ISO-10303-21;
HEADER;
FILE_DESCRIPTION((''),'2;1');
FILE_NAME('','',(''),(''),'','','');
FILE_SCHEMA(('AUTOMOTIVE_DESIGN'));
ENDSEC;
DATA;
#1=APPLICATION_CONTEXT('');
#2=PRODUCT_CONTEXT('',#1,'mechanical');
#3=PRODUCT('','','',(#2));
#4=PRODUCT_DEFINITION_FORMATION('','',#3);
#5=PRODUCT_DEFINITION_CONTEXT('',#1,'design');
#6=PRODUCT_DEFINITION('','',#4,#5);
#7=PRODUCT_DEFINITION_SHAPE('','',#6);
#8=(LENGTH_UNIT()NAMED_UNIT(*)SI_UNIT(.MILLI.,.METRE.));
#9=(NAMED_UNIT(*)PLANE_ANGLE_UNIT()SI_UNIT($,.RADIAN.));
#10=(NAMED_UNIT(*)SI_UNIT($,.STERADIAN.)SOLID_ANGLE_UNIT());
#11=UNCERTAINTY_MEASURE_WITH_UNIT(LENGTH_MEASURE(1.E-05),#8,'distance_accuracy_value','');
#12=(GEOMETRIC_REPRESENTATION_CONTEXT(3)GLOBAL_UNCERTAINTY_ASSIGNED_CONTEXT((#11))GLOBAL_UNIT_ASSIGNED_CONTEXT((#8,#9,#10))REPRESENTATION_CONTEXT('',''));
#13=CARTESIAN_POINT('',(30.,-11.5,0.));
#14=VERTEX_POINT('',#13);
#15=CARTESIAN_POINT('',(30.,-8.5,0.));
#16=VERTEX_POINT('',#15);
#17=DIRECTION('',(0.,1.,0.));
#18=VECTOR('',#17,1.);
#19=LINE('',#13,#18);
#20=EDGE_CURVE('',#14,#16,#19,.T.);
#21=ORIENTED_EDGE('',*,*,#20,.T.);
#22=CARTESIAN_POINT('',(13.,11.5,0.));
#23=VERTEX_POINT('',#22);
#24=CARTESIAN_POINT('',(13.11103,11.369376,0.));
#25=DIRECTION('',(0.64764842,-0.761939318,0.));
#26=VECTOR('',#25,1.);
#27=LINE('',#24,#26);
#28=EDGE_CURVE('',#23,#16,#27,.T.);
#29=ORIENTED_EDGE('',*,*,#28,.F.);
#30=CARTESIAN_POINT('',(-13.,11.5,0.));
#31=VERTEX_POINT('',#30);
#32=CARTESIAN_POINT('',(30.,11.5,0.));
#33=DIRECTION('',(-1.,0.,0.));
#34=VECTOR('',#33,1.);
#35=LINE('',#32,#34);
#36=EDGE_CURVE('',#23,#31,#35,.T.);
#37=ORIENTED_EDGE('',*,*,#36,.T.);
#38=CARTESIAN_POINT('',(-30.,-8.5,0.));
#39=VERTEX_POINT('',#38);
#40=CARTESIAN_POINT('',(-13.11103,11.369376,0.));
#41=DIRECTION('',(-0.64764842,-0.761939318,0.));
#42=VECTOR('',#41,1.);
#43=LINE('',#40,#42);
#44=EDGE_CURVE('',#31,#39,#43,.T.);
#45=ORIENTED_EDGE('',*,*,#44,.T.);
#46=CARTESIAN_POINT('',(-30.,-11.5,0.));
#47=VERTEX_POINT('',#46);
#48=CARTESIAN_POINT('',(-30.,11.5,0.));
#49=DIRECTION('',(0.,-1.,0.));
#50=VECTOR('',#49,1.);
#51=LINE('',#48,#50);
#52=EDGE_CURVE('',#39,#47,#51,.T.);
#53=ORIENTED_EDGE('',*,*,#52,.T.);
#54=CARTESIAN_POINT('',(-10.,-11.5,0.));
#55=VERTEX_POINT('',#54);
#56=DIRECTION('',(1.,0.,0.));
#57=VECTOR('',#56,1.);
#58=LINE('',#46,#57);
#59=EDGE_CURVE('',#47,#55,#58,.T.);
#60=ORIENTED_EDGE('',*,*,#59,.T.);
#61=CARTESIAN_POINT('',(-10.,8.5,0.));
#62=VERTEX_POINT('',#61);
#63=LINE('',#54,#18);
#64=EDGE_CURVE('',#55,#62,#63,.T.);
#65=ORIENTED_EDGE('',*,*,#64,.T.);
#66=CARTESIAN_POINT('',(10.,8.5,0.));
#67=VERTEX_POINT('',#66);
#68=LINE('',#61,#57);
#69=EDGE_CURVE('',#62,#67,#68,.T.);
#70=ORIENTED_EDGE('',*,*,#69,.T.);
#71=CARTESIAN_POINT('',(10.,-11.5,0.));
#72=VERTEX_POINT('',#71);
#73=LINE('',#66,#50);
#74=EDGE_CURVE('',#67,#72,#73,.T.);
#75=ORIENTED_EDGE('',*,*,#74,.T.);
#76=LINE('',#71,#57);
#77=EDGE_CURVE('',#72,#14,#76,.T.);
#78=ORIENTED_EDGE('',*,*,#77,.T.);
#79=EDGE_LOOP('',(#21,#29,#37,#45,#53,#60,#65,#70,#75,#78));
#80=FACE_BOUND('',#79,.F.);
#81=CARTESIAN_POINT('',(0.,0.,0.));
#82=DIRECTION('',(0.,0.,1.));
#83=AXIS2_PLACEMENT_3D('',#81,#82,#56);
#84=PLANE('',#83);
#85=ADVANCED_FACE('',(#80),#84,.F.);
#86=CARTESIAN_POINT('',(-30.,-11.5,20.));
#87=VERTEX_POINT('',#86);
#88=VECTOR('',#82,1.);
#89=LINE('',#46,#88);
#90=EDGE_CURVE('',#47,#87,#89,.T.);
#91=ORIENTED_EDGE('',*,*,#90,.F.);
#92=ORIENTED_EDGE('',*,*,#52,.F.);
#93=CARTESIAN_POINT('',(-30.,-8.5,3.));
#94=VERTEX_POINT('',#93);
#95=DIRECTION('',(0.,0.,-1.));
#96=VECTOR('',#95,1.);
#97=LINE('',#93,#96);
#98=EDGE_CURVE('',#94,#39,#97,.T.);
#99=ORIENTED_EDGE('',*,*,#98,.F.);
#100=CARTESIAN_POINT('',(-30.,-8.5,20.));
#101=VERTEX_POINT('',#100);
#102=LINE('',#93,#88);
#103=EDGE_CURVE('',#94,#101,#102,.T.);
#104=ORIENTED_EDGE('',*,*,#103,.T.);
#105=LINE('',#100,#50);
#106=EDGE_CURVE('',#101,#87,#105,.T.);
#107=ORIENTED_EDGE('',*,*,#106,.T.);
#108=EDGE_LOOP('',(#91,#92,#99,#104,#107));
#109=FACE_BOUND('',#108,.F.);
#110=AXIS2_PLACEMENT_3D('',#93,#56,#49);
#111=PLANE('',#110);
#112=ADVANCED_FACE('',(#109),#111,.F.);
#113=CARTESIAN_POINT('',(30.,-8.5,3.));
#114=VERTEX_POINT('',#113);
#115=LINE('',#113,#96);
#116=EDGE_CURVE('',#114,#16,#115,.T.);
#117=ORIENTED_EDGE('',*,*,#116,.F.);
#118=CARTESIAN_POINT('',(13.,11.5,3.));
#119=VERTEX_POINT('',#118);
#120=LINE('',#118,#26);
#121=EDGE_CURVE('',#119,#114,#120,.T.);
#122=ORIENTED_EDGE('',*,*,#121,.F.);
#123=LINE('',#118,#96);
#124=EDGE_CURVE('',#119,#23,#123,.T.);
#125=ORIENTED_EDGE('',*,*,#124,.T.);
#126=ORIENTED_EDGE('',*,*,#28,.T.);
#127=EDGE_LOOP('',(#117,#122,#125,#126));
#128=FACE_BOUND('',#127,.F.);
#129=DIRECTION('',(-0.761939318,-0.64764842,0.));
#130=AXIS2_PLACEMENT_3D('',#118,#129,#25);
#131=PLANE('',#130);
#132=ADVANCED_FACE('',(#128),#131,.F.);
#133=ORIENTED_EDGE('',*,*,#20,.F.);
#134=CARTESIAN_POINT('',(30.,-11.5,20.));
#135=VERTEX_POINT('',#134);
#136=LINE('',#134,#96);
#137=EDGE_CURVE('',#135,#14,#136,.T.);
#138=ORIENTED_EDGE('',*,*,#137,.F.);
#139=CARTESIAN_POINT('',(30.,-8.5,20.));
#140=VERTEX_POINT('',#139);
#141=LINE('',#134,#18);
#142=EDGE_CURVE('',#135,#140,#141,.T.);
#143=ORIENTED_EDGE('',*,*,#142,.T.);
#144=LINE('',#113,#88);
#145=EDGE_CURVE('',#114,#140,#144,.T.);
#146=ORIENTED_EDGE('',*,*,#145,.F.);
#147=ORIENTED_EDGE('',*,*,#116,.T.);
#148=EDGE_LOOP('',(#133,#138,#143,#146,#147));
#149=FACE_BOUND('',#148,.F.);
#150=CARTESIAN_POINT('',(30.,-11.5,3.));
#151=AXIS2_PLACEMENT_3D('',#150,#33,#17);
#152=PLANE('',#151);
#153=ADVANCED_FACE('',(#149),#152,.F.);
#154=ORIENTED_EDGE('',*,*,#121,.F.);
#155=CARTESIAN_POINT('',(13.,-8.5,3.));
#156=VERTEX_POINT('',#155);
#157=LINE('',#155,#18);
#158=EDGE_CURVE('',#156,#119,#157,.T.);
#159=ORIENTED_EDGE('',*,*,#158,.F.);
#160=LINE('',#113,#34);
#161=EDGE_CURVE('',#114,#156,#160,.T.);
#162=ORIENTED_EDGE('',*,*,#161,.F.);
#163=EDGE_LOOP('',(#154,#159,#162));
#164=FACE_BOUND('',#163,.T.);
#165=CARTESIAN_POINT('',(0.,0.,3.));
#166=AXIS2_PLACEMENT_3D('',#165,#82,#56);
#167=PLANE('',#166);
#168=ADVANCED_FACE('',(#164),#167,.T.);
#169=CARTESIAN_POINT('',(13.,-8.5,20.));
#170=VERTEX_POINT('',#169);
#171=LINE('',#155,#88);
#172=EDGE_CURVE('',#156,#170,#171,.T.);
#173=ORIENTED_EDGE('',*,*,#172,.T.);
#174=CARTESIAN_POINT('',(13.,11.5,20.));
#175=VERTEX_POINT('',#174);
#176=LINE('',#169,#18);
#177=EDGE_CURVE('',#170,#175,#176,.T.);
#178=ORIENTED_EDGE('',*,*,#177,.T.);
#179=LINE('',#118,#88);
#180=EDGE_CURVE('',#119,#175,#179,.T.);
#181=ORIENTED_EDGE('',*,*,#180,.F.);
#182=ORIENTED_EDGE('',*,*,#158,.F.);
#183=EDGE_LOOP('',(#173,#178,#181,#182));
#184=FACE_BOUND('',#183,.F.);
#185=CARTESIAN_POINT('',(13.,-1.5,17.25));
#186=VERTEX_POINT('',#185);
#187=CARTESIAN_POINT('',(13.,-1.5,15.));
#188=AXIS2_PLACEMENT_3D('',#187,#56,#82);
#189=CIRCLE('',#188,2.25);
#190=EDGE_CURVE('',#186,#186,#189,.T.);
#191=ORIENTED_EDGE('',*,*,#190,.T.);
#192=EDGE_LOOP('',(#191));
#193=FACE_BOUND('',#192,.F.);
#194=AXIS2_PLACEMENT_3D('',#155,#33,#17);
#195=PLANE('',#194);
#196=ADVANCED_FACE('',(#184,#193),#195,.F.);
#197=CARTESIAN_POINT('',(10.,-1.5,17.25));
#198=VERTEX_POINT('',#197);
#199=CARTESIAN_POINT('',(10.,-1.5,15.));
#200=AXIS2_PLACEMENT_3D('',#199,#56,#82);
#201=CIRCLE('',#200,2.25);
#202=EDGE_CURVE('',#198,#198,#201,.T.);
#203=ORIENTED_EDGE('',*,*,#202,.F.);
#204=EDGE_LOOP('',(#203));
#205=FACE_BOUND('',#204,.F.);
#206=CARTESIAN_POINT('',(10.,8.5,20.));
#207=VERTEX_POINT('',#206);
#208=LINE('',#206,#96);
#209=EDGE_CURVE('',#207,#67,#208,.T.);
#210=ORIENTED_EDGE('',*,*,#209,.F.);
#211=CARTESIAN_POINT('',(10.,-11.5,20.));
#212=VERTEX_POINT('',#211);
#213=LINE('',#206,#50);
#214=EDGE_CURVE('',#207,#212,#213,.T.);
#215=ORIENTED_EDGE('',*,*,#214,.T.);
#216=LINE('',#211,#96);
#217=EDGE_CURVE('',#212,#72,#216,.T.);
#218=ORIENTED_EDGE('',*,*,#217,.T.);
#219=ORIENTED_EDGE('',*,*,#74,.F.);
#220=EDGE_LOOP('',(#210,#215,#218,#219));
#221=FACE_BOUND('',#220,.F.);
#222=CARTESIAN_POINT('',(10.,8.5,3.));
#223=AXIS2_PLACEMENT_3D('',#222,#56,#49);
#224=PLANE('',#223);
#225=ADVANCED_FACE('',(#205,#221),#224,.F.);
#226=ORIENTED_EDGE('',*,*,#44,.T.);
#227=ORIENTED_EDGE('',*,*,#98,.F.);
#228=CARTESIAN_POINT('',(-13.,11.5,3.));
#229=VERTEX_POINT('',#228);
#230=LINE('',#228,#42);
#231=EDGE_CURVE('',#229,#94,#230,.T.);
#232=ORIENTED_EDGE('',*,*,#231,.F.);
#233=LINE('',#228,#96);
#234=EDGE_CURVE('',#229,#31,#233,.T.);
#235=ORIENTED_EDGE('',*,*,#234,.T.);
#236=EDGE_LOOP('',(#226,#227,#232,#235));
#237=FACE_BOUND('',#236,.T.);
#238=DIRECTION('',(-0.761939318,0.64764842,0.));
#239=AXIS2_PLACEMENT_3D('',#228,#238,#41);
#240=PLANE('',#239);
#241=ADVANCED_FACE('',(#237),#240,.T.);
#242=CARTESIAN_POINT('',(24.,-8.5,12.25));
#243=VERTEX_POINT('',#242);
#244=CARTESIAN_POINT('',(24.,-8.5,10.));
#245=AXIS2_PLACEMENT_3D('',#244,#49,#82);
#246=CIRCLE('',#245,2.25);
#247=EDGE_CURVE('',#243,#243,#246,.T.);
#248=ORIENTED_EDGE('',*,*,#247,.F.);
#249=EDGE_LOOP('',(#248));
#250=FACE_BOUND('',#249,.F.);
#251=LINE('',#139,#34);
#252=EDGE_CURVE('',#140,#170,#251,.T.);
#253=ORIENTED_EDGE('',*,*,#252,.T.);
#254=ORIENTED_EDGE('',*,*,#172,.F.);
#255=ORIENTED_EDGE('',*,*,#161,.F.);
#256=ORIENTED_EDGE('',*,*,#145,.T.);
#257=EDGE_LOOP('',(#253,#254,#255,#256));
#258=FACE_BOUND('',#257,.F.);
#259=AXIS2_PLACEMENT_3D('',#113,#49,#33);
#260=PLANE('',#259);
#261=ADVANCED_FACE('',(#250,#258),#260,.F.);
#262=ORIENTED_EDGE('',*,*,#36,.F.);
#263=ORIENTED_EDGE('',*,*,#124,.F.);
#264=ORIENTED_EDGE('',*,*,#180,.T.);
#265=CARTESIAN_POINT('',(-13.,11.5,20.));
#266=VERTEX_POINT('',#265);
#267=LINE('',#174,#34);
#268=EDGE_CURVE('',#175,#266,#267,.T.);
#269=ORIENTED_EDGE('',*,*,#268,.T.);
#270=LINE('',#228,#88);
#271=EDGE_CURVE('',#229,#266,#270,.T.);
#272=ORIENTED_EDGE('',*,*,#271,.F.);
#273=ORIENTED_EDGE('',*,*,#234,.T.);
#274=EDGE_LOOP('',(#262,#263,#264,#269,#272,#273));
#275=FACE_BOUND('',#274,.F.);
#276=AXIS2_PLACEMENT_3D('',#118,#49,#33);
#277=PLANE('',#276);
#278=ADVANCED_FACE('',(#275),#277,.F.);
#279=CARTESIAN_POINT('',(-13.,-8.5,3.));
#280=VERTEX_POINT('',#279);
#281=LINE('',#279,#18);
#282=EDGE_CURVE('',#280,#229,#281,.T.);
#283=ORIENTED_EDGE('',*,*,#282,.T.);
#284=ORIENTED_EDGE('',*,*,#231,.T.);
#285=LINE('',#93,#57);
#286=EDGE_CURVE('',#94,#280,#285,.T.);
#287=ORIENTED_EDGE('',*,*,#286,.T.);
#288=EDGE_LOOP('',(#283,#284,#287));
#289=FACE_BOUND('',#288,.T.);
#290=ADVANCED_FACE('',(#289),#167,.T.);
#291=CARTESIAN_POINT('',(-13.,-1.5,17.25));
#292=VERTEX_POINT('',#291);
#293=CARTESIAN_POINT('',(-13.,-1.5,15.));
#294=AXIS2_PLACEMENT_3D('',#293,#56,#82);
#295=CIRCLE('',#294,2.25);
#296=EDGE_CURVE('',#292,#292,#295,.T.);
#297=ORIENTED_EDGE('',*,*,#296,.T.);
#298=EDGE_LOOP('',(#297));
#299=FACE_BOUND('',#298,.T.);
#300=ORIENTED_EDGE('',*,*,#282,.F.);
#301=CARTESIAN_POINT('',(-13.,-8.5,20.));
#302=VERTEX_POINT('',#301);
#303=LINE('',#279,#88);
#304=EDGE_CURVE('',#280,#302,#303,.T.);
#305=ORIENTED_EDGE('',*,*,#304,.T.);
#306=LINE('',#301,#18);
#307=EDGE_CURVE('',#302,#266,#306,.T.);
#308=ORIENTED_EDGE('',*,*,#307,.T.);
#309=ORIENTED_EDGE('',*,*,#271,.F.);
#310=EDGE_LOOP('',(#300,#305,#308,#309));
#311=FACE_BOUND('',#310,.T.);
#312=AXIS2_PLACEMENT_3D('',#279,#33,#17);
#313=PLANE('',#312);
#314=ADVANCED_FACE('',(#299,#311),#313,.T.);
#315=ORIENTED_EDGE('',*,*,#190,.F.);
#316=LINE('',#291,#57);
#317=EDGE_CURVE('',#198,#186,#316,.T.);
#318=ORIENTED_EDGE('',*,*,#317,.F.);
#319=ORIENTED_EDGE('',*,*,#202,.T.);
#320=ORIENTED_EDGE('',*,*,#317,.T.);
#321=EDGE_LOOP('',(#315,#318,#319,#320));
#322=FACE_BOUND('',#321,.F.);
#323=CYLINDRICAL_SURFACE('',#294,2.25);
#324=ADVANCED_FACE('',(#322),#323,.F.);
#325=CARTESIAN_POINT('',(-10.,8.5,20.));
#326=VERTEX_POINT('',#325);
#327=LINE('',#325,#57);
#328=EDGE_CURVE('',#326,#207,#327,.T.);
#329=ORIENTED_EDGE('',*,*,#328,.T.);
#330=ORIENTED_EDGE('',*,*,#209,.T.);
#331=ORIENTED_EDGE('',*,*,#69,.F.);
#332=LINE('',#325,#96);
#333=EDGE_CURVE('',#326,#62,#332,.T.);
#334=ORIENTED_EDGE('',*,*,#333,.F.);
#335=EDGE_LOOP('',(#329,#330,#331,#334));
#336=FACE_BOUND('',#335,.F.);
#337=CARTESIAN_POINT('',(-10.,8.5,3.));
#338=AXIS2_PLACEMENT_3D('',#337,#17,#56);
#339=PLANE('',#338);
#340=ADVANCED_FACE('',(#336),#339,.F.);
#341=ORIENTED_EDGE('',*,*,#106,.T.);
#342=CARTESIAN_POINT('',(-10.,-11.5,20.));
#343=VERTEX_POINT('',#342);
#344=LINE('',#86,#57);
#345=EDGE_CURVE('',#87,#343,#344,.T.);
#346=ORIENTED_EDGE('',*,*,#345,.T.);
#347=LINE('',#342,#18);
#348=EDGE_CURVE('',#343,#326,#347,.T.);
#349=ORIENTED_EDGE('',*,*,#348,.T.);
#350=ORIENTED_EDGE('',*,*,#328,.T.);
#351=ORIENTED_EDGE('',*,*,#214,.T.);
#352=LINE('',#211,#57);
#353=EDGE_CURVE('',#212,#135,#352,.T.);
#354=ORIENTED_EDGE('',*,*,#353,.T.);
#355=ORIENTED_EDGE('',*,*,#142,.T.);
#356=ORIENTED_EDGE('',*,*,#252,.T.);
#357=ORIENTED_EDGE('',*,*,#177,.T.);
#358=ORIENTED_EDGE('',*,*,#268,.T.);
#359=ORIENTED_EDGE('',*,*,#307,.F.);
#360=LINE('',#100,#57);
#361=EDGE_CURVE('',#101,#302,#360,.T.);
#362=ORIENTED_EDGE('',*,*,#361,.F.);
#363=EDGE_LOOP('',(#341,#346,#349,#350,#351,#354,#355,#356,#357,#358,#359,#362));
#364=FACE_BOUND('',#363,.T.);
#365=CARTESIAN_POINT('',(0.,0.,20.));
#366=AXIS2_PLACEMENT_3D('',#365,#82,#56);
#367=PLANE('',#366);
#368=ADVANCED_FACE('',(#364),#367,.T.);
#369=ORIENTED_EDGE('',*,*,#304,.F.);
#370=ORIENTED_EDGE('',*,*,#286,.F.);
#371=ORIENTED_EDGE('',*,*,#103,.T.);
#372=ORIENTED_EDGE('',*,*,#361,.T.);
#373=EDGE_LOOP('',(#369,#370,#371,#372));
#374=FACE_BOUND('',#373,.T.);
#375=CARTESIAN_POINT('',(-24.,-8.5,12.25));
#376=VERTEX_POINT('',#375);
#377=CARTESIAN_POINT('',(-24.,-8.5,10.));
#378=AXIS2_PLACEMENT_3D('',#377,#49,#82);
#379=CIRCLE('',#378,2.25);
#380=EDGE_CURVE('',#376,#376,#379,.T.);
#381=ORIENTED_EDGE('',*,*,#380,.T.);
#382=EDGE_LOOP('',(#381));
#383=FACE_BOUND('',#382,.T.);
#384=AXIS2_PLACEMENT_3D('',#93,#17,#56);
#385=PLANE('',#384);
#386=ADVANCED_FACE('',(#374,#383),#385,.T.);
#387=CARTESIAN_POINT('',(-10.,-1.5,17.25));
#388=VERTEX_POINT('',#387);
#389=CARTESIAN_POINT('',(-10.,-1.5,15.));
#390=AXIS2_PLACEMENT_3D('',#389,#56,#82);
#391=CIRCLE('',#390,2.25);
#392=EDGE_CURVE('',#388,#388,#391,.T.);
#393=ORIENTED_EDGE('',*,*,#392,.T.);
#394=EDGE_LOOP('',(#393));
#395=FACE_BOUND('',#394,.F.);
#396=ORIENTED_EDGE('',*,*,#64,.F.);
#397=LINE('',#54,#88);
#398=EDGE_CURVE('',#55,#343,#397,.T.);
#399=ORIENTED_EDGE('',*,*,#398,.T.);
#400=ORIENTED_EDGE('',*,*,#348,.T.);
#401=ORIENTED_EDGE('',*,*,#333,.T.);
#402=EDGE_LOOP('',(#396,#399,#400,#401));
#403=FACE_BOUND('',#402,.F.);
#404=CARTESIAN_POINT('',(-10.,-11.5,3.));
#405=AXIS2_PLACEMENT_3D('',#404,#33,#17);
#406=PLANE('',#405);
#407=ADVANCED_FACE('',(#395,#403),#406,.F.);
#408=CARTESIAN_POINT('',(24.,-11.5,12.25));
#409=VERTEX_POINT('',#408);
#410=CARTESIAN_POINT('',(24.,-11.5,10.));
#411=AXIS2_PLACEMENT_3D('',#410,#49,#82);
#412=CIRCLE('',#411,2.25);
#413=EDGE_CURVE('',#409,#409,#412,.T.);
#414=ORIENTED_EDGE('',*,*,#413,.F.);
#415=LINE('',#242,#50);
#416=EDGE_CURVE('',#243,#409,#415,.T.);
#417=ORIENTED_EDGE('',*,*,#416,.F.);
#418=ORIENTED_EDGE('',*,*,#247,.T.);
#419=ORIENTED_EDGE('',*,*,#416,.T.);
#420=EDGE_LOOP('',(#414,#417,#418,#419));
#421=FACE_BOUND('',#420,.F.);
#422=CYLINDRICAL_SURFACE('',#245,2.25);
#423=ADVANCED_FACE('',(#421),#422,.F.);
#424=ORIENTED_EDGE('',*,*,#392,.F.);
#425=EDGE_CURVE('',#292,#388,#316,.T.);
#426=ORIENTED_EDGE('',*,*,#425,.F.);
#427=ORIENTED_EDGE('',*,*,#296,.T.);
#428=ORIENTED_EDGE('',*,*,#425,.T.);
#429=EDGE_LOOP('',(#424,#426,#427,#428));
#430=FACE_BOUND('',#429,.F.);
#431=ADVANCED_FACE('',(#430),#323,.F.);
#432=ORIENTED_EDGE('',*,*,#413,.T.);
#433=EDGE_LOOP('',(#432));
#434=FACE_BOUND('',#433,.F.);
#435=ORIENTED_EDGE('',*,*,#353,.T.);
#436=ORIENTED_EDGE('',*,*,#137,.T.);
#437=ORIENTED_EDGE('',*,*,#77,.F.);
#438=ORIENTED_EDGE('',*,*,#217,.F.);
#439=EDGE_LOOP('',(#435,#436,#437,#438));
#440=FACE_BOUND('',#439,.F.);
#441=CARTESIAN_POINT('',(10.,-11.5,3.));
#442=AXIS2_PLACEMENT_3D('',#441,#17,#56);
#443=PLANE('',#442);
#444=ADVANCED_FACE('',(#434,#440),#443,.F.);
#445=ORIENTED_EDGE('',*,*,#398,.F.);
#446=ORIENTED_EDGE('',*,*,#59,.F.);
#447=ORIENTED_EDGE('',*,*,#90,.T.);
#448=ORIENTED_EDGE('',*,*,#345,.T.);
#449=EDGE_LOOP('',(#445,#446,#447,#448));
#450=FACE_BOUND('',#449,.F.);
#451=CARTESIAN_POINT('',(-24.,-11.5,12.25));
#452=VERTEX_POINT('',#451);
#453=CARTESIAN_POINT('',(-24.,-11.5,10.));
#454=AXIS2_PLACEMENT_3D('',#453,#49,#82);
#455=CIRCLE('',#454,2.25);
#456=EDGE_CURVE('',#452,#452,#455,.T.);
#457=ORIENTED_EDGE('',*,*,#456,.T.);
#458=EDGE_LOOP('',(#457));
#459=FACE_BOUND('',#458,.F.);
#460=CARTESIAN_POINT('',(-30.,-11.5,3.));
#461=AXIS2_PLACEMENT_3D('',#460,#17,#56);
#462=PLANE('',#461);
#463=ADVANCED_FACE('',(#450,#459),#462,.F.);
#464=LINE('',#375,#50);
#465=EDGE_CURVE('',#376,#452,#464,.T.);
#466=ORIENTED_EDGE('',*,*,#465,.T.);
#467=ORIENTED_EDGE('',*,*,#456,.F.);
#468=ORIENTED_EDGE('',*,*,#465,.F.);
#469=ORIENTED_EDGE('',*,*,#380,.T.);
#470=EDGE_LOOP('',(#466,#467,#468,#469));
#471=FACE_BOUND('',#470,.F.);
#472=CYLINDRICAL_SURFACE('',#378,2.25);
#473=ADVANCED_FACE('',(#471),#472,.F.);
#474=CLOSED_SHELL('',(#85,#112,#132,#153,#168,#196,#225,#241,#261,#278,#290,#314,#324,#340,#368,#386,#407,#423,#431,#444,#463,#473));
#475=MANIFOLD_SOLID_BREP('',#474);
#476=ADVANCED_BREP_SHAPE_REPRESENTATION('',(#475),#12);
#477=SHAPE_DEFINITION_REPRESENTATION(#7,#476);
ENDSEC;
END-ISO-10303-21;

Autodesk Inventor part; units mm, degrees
ref_plane "YZ Plane" through (0, 0, 0) normal (1, 0, 0) x (0, 1, 0)
ref_plane "XZ Plane" through (0, 0, 0) normal (0, 1, 0) x (-1, 0, 0)
ref_plane "XY Plane" through (0, 0, 0) normal (0, 0, 1) x (1, 0, 0)
sketch "Sketch2" plane through (0, 0, 0) normal (0, 0, 1) x (1, 0, 0)
  line L0 (-30, 11.5) -> (-30, -11.5)
  line L1 (-30, -11.5) -> (-10, -11.5)
  line L2 (-10, -11.5) -> (-10, 8.5)
  line L3 (-10, 8.5) -> (10, 8.5)
  line L4 (10, 8.5) -> (10, -11.5)
  line L5 (10, -11.5) -> (30, -11.5)
  line L6 (30, -11.5) -> (30, 11.5)
  line L7 (30, 11.5) -> (-30, 11.5)
  point P0 (0, 0)
  point P1 (0, 11.5)
  point P2 (30, 0)
  dimension "d6" = 23
  dimension "d7" = 20
  dimension "d8" = 20
extrude "Extrusion1" add sketch "Sketch2" along normal blind 3
sketch "Sketch3" plane through (0, 0, 3) normal (0, 0, 1) x (1, 0, 0)
  line L0 (30, 11.5) -> (-30, 11.5) projected
  line L1 (-13, 11.5) -> (-30, -8.5)
  line L2 (-30, 11.5) -> (-30, -11.5) projected
  line L3 (-30, 11.5) -> (-13, 11.5)
  line L4 (-10, -11.5) -> (-10, 8.5) projected
  line L5 (13, 11.5) -> (30, -8.5)
  line L6 (30, -11.5) -> (30, 11.5) projected
  line L7 (10, 8.5) -> (10, -11.5) projected
  line L8 (10, -11.5) -> (30, -11.5) projected
  point P0 (0, 0)
  dimension "d11" = 3
  dimension "d12" = 3
  dimension "d13" = 3
  dimension "d14" = 3
extrude "Extrusion2" cut sketch "Sketch3" against normal through all
sketch "Sketch4" plane through (0, 0, 3) normal (0, 0, 1) x (1, 0, 0)
  line L0 (-30, -8.5) -> (-30, -11.5) projected
  line L1 (-30, -8.5) -> (-13, -8.5)
  line L2 (13, 11.5) -> (-13, 11.5) projected
  line L3 (-13, -8.5) -> (-13, 11.5)
  line L4 (30, -11.5) -> (30, -8.5) projected
  line L5 (30, -8.5) -> (13, -8.5)
  line L6 (13, -8.5) -> (13, 11.5)
  line L7 (30, -8.5) -> (13, 11.5) projected
  line L8 (13, 11.5) -> (-13, 11.5) projected
  line L9 (-13, 11.5) -> (-30, -8.5) projected
  line L10 (-30, -8.5) -> (-30, -11.5) projected
  line L11 (-30, -11.5) -> (-10, -11.5) projected
  line L12 (-10, -11.5) -> (-10, 8.5) projected
  line L13 (-10, 8.5) -> (10, 8.5) projected
  line L14 (10, 8.5) -> (10, -11.5) projected
  line L15 (10, -11.5) -> (30, -11.5) projected
  line L16 (30, -11.5) -> (30, -8.5) projected
  point P0 (0, 0)
  dimension "d17" = 90
  dimension "d20" = 90
extrude "Extrusion3" add sketch "Sketch4" along normal blind 17 contours L1 L3 L2 L6 L5 L4 L15 L14 L13 L12 L11 L0
sketch "Sketch5" plane through (-13, -8.5, 3) normal (-1, 0, 0) x (0, 0, 1)
  line L0 (-3, 17) -> (17, 17) projected
  line L1 (17, 20) -> (17, 0) projected
  point P0 (-3, 8.5)
  point P1 (12, 7)
  dimension "d23" = 10
  dimension "d24" = 5
hole "Hole1" at (-13, -1.5, 15) direction (1, 0, 0) diameter 4.5 end through all
sketch "Sketch6" plane through (-30, -8.5, 3) normal (0, 1, 0) x (1, 0, 0)
  line L0 (17, -17) -> (0, -17) projected
  line L1 (0, 0) -> (0, -17) projected
  line L2 (60, 0) -> (60, -17) projected
  point P0 (30, 3)
  point P1 (6, -7)
  point P2 (54, -7)
  dimension "d32" = 10
  dimension "d33" = 6
  dimension "d34" = 6
hole "Hole2" at (-24, -8.5, 10) at (24, -8.5, 10) direction (0, -1, 0) diameter 4.5 end through all
equation "\"d34\" = d33"
properties part number "Horizontal Support Bracket"
